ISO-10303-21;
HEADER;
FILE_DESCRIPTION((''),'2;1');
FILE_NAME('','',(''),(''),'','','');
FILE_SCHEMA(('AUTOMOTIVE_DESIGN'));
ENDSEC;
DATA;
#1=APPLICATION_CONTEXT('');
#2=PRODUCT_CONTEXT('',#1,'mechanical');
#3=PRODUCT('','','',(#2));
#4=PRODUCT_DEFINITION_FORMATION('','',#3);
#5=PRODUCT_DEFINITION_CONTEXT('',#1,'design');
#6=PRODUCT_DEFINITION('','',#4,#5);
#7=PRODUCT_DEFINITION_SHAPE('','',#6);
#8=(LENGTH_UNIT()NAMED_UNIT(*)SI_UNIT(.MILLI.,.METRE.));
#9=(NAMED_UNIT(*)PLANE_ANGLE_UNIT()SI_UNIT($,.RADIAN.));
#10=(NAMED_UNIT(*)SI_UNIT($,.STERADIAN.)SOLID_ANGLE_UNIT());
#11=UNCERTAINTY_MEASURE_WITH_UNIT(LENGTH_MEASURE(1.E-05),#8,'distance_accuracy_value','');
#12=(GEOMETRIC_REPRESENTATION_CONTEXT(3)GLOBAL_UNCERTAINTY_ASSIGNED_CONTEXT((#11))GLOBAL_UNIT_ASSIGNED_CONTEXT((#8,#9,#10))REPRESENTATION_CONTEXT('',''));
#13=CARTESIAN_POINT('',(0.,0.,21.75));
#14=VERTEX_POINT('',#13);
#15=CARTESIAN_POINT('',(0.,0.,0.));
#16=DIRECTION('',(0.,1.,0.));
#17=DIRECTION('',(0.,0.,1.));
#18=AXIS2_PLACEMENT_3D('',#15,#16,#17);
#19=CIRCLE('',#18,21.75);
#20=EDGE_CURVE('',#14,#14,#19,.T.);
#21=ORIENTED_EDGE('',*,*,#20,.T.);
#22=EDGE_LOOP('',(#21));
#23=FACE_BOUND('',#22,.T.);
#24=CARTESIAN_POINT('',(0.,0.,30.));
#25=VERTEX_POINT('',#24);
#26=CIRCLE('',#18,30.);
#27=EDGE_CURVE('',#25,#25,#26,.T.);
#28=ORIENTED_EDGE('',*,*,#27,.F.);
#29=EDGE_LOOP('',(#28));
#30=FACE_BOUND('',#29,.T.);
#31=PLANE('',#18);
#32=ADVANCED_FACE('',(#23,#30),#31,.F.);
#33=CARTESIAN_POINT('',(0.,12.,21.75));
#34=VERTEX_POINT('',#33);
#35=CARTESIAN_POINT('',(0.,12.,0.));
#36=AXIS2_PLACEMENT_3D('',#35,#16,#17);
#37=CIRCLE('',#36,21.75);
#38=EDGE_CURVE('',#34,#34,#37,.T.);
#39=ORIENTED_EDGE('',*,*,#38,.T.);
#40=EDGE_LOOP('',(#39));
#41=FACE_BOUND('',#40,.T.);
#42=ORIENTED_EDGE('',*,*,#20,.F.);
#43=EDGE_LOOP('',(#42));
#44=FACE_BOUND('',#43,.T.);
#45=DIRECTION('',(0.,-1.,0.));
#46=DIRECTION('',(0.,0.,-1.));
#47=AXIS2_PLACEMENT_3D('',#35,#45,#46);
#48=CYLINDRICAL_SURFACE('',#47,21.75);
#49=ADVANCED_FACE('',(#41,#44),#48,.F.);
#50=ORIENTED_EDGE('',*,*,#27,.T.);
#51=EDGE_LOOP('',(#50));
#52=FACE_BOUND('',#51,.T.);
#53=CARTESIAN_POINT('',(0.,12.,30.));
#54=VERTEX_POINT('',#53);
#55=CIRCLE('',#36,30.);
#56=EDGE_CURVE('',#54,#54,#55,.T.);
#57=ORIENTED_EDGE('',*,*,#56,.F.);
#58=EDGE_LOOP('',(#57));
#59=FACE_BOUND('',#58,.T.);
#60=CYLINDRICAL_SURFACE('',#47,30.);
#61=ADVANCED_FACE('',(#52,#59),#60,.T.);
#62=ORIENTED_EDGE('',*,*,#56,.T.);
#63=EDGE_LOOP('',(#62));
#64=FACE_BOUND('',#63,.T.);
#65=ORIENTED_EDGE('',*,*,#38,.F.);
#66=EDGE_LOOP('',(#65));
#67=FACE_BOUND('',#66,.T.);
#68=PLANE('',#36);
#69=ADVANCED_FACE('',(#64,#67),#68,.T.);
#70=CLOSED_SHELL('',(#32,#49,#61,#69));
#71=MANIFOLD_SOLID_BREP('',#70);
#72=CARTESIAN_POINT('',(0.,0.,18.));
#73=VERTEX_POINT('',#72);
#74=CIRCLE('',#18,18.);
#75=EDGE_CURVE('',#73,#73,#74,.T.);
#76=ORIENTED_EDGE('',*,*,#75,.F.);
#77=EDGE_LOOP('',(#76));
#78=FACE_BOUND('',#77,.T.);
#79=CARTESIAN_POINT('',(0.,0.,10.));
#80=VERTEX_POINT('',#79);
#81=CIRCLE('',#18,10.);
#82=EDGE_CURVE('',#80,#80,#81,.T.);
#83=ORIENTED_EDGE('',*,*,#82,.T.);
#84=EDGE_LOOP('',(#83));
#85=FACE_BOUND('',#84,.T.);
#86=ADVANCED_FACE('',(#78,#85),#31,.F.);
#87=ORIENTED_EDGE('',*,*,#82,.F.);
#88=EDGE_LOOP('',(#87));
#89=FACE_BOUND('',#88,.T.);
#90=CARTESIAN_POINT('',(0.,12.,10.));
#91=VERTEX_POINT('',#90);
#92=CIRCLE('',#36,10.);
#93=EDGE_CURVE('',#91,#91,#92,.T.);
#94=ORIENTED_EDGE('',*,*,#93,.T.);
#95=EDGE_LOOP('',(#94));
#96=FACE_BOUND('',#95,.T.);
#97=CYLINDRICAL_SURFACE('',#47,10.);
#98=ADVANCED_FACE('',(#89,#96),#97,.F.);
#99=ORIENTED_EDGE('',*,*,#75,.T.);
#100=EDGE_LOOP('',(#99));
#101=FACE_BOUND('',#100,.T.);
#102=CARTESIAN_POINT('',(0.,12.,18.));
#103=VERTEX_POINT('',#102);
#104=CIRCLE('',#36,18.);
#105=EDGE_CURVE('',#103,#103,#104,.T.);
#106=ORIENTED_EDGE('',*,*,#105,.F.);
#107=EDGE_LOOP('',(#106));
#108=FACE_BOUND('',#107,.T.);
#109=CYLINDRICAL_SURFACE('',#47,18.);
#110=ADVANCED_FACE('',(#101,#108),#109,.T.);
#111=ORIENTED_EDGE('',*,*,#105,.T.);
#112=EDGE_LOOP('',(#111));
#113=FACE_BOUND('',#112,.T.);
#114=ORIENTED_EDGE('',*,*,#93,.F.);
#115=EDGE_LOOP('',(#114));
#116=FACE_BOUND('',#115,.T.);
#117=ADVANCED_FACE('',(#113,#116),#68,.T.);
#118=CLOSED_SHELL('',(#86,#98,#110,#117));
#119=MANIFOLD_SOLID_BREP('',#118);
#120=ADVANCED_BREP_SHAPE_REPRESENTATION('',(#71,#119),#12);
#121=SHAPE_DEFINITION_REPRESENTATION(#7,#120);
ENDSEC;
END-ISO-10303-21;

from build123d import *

# Parameters (mm, degrees)
SKETCH1_R           = 18
SKETCH1_R_2         = 10
BOSS_EXTRUDE1_DEPTH = 12
SKETCH2_R           = 30
SKETCH2_R_2         = 21.75
BOSS_EXTRUDE2_DEPTH = 12


with BuildPart() as part:
    # Sketch1 → Boss-Extrude1 (new body)
    with BuildSketch(Plane(origin=(0, 0, 0), x_dir=(1, 0, 0), z_dir=(0, 1, 0))):
        Circle(SKETCH1_R)
        Circle(SKETCH1_R_2, mode=Mode.SUBTRACT)
    extrude(amount=BOSS_EXTRUDE1_DEPTH)


with BuildPart() as body_2:
    # Sketch2 → Boss-Extrude2 (new body)
    with BuildSketch(Plane(origin=(0, 0, 0), x_dir=(1, 0, 0), z_dir=(0, 1, 0))):
        Circle(SKETCH2_R)
        Circle(SKETCH2_R_2, mode=Mode.SUBTRACT)
    extrude(amount=BOSS_EXTRUDE2_DEPTH)


solid = Compound([part.part, body_2.part])
